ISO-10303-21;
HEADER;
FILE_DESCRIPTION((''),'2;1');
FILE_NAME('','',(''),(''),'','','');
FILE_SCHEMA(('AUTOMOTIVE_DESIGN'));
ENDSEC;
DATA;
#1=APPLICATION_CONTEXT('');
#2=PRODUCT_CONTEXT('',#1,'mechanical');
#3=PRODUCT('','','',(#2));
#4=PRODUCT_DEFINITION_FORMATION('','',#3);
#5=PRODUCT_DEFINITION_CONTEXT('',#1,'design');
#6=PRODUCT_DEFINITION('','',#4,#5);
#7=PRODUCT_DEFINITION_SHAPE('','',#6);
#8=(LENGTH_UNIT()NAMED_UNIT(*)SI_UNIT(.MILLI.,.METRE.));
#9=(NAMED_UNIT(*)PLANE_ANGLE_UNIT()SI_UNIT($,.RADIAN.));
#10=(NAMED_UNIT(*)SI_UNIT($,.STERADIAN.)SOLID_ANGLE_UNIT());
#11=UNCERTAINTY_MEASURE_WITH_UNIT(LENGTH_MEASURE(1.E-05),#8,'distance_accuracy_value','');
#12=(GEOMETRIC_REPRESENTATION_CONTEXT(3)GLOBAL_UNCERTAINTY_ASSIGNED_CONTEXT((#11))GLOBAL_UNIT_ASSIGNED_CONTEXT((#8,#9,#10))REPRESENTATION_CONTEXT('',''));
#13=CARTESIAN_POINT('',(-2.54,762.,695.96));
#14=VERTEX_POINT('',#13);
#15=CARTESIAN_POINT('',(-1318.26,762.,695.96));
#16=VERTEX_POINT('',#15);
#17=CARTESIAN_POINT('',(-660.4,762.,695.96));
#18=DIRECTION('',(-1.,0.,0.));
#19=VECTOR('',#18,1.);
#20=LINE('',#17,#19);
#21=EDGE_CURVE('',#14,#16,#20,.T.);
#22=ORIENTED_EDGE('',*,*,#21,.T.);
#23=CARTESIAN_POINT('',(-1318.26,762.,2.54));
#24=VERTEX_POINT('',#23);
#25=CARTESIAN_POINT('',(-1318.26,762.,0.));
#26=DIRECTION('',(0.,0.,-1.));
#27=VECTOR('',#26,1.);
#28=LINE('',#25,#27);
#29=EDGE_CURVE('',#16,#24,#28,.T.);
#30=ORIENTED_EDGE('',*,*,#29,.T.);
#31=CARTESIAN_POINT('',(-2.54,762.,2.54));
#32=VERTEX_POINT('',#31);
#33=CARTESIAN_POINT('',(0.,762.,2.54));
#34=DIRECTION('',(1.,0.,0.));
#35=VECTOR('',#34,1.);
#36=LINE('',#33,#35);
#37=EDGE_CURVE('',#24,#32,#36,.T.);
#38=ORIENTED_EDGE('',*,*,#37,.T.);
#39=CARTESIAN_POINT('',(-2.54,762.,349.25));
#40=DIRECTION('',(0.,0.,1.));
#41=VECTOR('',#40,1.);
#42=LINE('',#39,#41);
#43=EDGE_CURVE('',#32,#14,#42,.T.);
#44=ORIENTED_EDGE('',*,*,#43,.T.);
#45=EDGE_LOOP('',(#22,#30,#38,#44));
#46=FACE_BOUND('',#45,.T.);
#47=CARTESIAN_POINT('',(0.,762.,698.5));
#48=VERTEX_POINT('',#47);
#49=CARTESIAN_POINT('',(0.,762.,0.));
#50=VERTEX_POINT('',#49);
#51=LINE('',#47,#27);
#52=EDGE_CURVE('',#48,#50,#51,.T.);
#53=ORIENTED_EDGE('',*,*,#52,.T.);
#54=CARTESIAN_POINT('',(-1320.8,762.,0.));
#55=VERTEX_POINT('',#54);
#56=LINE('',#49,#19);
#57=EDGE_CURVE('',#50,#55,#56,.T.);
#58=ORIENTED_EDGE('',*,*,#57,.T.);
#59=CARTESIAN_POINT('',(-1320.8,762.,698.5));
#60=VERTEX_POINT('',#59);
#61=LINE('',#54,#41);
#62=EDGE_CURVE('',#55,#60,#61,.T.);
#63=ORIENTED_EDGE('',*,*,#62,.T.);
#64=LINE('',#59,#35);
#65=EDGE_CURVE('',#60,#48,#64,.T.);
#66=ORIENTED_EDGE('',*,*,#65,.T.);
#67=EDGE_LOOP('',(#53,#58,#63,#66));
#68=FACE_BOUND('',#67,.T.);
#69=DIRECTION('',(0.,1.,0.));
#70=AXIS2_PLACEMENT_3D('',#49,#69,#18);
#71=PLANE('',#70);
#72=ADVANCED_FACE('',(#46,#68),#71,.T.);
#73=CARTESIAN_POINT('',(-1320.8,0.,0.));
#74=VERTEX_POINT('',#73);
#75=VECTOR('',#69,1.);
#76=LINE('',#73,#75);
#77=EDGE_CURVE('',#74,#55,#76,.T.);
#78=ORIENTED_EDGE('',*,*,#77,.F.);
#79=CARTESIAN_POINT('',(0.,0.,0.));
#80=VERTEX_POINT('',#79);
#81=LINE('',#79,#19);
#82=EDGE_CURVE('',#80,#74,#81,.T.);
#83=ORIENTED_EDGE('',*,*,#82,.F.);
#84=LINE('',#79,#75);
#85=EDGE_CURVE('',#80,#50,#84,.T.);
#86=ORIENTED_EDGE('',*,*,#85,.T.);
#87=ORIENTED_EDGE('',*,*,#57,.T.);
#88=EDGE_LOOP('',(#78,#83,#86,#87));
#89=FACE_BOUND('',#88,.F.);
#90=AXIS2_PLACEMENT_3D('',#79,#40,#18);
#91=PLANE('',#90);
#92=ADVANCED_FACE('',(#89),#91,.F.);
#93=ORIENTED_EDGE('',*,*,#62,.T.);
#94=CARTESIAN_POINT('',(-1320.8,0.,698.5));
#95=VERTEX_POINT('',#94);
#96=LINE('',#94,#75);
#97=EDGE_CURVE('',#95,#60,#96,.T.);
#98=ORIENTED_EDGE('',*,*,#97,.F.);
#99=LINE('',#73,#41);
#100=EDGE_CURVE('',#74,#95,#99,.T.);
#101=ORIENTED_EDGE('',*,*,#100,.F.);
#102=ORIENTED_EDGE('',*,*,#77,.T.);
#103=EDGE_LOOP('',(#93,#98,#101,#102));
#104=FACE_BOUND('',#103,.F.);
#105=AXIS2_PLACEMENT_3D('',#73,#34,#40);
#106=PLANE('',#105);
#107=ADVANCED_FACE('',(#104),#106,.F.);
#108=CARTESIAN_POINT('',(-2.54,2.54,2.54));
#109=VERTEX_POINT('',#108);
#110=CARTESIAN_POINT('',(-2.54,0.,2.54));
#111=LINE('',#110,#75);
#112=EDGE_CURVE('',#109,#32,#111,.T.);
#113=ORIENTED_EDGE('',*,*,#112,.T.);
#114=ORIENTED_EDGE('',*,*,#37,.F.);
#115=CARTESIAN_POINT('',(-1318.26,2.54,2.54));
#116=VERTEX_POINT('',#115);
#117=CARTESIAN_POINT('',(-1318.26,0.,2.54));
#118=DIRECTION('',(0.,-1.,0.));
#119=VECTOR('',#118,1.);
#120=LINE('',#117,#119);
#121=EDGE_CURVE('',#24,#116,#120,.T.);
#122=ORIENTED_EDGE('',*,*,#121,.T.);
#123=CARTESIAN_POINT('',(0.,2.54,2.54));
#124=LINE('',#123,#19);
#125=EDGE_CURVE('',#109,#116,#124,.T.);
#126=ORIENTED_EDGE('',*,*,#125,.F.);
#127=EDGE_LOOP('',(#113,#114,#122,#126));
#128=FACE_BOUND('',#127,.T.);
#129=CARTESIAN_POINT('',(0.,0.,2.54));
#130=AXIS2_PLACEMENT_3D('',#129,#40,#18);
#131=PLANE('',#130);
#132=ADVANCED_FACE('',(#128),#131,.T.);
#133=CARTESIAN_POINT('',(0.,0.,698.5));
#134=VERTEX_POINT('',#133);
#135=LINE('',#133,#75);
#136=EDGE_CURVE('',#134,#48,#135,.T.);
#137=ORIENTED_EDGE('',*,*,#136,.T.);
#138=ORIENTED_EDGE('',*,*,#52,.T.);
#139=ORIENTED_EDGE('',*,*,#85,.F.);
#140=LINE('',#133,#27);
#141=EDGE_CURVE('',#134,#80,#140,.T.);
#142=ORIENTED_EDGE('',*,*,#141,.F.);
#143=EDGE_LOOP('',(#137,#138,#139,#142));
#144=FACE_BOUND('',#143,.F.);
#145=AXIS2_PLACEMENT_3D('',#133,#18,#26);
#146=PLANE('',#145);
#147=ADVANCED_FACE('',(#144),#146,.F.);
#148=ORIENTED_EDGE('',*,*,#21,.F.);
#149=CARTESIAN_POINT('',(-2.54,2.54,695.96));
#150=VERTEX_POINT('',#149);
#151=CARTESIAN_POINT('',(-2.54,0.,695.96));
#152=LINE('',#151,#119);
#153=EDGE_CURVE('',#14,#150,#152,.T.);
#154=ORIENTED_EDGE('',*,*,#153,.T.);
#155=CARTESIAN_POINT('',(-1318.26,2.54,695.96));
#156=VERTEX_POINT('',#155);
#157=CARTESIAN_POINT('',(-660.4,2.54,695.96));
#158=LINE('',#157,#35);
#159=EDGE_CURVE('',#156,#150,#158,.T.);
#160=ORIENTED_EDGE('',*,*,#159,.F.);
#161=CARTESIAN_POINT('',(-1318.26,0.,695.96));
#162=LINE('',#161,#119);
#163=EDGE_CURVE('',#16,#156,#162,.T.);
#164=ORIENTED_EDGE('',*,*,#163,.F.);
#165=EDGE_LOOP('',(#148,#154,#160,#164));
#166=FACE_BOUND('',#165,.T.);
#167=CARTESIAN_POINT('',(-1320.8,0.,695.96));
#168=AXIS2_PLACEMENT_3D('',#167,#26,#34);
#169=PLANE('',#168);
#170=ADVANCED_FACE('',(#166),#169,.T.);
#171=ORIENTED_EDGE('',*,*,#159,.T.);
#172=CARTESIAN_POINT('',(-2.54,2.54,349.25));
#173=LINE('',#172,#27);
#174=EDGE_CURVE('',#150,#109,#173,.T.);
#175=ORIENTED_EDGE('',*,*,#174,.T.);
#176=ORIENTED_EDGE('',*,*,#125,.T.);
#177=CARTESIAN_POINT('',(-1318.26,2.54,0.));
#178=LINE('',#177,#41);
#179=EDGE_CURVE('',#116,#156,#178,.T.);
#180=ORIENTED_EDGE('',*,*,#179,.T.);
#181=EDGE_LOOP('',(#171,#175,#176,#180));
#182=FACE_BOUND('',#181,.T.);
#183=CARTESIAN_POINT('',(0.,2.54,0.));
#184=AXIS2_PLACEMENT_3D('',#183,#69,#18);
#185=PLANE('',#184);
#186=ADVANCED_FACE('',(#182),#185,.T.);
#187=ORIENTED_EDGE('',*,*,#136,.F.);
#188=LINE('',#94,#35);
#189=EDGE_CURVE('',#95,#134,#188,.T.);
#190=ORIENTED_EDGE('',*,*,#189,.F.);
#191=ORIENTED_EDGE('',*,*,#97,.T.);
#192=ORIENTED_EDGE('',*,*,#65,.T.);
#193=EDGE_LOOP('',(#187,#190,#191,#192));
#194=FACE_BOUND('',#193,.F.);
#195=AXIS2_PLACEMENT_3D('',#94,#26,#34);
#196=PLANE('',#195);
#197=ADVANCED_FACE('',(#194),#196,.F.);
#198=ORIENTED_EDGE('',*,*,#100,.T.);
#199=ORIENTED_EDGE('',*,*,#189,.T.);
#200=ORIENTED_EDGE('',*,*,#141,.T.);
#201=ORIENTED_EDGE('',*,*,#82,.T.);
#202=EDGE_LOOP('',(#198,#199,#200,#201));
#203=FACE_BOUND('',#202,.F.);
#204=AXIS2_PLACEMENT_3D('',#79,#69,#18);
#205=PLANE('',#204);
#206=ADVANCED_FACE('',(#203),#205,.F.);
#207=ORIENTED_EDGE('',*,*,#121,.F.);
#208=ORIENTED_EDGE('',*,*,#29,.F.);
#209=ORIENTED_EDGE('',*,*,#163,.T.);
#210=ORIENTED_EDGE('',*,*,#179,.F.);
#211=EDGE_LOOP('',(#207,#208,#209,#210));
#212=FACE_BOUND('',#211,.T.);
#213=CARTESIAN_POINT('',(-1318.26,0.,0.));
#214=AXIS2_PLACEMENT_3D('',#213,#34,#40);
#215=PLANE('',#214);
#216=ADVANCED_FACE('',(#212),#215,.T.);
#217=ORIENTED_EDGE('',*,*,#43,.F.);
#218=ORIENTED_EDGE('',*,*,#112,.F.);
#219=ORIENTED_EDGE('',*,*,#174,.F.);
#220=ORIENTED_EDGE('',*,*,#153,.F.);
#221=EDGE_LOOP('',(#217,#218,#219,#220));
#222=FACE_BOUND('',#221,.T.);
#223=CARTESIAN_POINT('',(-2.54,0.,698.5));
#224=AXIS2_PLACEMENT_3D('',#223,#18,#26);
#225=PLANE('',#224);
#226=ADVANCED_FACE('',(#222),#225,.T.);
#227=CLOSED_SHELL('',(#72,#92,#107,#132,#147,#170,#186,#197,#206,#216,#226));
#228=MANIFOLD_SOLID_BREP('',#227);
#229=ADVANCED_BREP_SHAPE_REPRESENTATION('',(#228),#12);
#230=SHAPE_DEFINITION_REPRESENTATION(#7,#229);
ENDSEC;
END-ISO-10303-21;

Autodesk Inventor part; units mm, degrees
ref_plane "YZ Plane" through (0, 0, 0) normal (1, 0, 0) x (0, 1, 0)
ref_plane "XZ Plane" through (0, 0, 0) normal (0, 1, 0) x (-1, 0, 0)
ref_plane "XY Plane" through (0, 0, 0) normal (0, 0, 1) x (1, 0, 0)
sketch "Sketch1" plane through (0, 0, 0) normal (0, 1, 0) x (-1, 0, 0)
  point P0 (0, 0)
sketch "Sketch2" plane through (0, 0, 0) normal (0, 1, 0) x (-1, 0, 0)
  line L0 (0, 0) -> (1320.8, 0)
  line L1 (1320.8, 0) -> (1320.8, 698.5)
  line L2 (1320.8, 698.5) -> (0, 698.5)
  line L3 (0, 698.5) -> (0, 0)
  dimension "d0" = 1320.8
  dimension "d1" = 698.5
extrude "Extrusion1" add sketch "Sketch2" along normal blind 762
shell "Shell1" thickness 2.54 removed faces 1 at (-440.2667, 762, 465.6667)
properties part number "Crate Stacker"
